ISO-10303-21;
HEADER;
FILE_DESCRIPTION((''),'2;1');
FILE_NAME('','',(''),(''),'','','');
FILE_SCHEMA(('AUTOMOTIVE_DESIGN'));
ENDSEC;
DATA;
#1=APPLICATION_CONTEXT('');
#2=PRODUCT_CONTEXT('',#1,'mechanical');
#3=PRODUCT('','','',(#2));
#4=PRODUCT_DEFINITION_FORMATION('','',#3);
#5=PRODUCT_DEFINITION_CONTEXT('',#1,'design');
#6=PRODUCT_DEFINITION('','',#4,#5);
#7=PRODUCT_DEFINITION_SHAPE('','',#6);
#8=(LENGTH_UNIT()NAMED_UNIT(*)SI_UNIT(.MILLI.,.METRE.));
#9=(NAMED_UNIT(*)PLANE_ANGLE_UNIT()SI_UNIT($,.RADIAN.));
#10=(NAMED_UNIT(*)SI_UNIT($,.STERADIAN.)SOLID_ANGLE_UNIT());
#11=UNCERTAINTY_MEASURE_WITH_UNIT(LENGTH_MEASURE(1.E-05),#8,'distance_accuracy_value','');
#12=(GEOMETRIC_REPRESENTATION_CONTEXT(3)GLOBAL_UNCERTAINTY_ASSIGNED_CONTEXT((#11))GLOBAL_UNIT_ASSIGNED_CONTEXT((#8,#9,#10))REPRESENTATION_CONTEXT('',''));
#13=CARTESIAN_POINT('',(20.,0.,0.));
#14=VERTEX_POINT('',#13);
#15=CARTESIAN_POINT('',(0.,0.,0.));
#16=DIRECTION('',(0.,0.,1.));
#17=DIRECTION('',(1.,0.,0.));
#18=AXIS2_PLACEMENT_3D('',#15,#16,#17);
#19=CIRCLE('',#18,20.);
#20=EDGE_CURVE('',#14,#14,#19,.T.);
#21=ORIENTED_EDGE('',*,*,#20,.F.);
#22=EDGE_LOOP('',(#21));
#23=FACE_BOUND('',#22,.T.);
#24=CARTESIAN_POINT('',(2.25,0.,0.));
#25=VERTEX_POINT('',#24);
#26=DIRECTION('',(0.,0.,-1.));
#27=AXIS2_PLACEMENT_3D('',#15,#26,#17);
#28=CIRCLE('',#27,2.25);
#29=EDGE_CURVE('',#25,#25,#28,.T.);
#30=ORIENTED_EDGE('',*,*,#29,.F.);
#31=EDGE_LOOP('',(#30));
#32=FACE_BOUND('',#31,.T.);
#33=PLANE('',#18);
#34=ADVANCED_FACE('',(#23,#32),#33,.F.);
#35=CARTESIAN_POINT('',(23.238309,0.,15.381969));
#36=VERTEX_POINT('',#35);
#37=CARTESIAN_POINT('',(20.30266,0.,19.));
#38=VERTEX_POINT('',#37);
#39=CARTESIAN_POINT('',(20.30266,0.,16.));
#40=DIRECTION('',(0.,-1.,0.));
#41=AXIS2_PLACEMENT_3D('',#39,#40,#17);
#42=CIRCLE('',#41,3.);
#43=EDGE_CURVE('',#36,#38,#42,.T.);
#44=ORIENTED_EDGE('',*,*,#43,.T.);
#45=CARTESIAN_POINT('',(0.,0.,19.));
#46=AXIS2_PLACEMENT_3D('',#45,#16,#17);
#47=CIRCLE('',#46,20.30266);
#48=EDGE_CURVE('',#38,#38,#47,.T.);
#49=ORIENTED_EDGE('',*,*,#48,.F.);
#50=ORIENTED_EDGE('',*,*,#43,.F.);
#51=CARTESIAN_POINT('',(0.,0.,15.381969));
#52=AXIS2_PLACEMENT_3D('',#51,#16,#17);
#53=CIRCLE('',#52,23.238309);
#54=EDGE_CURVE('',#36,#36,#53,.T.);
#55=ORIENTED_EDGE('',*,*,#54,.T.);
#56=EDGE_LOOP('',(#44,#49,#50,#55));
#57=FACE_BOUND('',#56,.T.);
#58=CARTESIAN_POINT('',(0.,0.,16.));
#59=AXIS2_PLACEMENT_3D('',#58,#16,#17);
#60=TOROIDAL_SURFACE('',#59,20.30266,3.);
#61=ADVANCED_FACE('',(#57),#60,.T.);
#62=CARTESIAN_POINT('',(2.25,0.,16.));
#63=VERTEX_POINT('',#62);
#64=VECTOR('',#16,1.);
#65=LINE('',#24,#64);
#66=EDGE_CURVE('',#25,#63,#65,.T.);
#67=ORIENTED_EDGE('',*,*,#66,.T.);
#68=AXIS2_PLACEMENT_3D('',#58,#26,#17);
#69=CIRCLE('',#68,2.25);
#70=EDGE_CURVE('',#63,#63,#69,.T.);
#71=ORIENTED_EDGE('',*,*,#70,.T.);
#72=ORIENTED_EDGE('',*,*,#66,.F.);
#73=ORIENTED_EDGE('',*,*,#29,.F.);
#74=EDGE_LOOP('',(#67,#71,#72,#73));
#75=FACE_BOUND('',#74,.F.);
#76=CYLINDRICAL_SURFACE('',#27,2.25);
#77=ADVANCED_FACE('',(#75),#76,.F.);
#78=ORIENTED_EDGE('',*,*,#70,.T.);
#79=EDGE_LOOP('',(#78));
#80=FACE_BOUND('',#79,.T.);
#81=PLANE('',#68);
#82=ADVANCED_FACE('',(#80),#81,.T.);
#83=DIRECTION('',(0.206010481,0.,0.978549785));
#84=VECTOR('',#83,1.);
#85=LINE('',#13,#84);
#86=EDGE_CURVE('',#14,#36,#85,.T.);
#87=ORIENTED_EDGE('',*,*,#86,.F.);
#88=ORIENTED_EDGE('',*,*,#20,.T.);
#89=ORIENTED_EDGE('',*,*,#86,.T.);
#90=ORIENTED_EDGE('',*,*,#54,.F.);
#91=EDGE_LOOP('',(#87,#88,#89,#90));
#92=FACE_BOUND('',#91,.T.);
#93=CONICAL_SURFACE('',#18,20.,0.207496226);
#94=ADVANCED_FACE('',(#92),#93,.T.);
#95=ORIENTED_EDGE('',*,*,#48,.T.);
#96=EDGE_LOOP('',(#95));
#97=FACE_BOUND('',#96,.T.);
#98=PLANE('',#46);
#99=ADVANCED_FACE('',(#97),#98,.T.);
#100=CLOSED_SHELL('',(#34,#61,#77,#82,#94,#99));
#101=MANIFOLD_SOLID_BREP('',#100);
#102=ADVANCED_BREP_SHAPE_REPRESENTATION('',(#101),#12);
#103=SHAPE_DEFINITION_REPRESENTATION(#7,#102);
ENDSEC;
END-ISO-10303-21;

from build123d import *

# Parameters (mm, degrees)
F2_R     = 3
F3_R     = 2.25
F4_DEPTH = 16


with BuildPart() as f1:
    # F0 (on Front) → F1 (revolve)
    with BuildSketch(Plane.XZ):
        Polygon((0, 19), (0, 0), (20, 0), (24, 19), align=None)
    revolve(axis=Axis((0, 0, 9.5), (0, 0, 1)))

    # F2
    f2_edges = [f1.edges().sort_by_distance(p)[0] for p in [
        (-24, 0, 19),
    ]]
    fillet(f2_edges, radius=F2_R)

    # F3 (on face) → F4 (cut)
    with BuildSketch(Plane(origin=(0, 0, 0), x_dir=(1, 0, 0), z_dir=(0, 0, -1))):
        Circle(F3_R)
    extrude(amount=-F4_DEPTH, mode=Mode.SUBTRACT)


solid = f1.part
